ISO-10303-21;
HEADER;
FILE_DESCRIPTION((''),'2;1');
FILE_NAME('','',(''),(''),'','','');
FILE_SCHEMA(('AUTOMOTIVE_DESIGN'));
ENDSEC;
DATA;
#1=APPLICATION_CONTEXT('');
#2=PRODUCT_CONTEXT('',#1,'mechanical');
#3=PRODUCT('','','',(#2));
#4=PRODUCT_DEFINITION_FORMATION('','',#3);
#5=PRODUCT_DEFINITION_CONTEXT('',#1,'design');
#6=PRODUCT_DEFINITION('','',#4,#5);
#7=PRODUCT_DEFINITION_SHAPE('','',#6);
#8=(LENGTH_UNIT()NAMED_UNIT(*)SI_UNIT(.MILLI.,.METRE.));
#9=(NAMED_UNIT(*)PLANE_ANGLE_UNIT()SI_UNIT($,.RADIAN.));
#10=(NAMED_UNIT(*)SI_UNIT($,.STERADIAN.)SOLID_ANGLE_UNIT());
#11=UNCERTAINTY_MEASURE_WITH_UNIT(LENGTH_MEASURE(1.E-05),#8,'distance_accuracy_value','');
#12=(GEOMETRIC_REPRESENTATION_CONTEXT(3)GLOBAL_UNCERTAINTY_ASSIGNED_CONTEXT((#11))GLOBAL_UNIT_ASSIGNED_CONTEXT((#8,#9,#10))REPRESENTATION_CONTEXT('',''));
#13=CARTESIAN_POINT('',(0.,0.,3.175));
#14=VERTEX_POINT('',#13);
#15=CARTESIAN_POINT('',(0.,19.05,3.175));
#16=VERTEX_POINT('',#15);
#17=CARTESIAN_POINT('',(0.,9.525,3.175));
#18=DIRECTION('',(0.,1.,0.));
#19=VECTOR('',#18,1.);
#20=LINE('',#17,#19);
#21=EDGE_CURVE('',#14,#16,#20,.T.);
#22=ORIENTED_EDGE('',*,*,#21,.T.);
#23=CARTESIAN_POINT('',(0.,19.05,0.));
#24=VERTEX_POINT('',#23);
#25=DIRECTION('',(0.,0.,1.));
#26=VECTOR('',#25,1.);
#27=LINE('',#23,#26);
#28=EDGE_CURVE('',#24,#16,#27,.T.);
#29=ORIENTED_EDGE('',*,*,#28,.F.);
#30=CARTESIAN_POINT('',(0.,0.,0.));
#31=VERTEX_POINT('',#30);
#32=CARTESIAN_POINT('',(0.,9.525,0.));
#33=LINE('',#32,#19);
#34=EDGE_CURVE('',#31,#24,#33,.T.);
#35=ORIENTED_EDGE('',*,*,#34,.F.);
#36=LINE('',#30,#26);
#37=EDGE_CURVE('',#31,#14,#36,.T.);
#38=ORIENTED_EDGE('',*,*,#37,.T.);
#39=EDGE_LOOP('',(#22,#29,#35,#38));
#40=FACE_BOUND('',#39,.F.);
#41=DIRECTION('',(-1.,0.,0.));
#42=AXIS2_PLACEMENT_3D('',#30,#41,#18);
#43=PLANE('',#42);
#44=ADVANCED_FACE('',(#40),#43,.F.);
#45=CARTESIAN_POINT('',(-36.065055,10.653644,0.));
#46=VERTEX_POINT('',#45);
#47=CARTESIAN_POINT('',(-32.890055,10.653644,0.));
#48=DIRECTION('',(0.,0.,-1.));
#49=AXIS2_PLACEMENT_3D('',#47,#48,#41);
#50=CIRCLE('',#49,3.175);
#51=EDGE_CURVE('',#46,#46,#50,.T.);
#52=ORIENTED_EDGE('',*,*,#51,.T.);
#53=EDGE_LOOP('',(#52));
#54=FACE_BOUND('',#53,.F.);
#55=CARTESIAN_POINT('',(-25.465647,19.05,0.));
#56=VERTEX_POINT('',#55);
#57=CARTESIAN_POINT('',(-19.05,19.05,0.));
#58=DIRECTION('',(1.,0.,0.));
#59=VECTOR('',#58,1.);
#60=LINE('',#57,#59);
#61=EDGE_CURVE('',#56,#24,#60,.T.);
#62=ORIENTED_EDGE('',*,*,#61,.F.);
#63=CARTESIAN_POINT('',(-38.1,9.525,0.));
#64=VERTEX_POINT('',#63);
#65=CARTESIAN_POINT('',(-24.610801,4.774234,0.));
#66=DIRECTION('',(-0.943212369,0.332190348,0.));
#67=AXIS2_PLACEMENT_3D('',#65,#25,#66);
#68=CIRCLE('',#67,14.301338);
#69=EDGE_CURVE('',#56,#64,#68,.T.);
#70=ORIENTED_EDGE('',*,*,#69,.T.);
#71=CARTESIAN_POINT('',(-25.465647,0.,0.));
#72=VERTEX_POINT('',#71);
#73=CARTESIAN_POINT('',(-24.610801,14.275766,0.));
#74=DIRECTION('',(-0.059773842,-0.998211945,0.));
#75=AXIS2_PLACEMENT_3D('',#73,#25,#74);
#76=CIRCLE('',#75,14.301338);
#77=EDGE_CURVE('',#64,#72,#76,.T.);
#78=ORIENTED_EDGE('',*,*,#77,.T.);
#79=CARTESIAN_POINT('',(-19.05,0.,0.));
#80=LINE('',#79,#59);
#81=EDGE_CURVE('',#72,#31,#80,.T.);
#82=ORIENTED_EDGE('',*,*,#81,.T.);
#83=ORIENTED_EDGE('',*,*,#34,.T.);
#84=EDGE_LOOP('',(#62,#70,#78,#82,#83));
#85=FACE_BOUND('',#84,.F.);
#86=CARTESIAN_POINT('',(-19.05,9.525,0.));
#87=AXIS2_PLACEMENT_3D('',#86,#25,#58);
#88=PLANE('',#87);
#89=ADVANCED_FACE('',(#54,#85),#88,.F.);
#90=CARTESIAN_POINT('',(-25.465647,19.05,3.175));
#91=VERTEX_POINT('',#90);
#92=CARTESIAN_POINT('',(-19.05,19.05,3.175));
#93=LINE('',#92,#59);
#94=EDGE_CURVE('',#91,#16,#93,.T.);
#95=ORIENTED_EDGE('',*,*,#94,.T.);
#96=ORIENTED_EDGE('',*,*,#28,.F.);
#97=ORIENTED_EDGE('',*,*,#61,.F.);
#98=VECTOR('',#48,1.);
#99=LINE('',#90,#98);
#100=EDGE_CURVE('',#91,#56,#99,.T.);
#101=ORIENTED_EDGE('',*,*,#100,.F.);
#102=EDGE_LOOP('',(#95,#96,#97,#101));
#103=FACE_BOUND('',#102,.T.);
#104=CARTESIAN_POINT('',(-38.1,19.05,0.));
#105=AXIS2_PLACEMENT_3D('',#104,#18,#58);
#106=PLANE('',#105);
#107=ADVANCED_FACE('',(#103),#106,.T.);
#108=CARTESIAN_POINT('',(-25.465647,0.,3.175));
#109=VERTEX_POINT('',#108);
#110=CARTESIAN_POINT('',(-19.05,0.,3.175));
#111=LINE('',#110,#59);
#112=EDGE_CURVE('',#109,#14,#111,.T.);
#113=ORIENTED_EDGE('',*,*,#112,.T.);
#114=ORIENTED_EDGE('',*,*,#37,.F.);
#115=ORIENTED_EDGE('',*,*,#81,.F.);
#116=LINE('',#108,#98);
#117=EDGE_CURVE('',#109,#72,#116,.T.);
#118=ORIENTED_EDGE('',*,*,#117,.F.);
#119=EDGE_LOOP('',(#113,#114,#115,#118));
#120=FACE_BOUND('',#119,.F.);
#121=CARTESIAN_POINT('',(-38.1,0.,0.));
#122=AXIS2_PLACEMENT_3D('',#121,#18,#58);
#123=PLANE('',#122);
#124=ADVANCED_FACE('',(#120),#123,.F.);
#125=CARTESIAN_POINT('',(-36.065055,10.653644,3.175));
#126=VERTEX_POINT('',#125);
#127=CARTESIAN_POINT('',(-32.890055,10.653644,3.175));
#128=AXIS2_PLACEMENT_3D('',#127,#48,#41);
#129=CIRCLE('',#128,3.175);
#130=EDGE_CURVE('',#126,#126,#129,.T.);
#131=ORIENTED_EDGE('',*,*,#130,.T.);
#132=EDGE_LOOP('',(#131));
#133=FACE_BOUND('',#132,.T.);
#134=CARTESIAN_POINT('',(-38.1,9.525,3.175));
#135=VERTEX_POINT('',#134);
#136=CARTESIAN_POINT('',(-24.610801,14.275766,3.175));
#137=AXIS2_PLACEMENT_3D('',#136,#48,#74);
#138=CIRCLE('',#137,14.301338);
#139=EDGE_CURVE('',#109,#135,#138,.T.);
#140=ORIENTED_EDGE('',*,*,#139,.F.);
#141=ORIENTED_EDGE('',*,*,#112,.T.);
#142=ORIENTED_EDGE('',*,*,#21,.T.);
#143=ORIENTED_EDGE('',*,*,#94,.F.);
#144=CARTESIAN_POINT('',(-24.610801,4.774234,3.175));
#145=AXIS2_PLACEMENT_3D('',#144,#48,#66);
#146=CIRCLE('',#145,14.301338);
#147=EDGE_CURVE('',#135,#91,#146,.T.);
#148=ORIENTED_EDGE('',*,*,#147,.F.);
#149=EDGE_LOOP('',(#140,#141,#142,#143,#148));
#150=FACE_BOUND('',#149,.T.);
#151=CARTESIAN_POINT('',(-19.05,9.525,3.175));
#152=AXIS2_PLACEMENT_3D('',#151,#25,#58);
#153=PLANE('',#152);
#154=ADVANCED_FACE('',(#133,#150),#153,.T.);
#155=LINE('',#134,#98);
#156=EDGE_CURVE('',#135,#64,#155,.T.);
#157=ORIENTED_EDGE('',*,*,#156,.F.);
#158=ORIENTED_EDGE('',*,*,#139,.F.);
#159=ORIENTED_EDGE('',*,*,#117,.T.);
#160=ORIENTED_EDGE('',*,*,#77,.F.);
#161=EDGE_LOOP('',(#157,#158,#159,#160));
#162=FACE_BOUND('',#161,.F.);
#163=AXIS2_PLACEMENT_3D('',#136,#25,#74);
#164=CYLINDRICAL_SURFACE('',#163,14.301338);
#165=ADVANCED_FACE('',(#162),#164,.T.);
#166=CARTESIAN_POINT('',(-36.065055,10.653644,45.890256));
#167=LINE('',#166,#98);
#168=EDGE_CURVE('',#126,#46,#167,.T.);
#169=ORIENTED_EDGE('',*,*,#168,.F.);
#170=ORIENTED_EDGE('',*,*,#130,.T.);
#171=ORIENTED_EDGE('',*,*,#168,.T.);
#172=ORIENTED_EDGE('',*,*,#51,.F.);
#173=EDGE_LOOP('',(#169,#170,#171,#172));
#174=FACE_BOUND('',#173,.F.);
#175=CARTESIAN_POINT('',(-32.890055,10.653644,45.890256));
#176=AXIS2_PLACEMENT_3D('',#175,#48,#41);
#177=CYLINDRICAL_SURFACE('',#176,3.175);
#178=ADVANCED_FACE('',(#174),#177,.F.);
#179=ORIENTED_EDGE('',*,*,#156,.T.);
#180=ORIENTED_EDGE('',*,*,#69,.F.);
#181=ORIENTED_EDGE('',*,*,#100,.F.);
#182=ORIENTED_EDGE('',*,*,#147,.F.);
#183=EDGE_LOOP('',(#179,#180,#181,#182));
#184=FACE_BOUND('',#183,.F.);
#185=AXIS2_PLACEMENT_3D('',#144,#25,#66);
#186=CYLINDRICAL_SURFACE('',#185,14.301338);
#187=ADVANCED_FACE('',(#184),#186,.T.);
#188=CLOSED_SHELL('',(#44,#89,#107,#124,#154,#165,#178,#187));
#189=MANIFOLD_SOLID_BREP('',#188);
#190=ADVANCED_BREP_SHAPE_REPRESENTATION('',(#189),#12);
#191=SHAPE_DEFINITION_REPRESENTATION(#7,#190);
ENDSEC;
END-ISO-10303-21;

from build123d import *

# Parameters (mm, degrees)
F0_W     = 38.1
F0_H     = 19.05
F1_DEPTH = 3.175
F3_DEPTH = 3.176
F5_D     = 6.35


with BuildPart() as f1:
    # F0 (on Top) → F1 (new body)
    with BuildSketch(Plane.XY):
        with Locations((-19.05, 9.525)):
            Rectangle(F0_W, F0_H)
    extrude(amount=F1_DEPTH)

    # F2 (on face) → F3 (cut, through all)
    with BuildSketch(Plane.XY.offset(3.175)):
        with BuildLine():
            ThreePointArc((-38.1, 9.525), (-33.220058, 16.193908), (-25.465647, 19.05))
            Line((-25.465647, 19.05), (-38.1, 19.05))
            Line((-38.1, 19.05), (-38.1, 9.525))
        make_face()
        with BuildLine():
            ThreePointArc((-25.465647, 0), (-33.220058, 2.856092), (-38.1, 9.525))
            Line((-38.1, 9.525), (-38.1, 0))
            Line((-38.1, 0), (-25.465647, 0))
        make_face()
    extrude(amount=-F3_DEPTH, mode=Mode.SUBTRACT)

    # F5 (through all)
    with Locations(Plane.XY.offset(3.175)):
        with Locations((-32.890055, 10.653644)):
            Hole(F5_D / 2)


solid = f1.part
